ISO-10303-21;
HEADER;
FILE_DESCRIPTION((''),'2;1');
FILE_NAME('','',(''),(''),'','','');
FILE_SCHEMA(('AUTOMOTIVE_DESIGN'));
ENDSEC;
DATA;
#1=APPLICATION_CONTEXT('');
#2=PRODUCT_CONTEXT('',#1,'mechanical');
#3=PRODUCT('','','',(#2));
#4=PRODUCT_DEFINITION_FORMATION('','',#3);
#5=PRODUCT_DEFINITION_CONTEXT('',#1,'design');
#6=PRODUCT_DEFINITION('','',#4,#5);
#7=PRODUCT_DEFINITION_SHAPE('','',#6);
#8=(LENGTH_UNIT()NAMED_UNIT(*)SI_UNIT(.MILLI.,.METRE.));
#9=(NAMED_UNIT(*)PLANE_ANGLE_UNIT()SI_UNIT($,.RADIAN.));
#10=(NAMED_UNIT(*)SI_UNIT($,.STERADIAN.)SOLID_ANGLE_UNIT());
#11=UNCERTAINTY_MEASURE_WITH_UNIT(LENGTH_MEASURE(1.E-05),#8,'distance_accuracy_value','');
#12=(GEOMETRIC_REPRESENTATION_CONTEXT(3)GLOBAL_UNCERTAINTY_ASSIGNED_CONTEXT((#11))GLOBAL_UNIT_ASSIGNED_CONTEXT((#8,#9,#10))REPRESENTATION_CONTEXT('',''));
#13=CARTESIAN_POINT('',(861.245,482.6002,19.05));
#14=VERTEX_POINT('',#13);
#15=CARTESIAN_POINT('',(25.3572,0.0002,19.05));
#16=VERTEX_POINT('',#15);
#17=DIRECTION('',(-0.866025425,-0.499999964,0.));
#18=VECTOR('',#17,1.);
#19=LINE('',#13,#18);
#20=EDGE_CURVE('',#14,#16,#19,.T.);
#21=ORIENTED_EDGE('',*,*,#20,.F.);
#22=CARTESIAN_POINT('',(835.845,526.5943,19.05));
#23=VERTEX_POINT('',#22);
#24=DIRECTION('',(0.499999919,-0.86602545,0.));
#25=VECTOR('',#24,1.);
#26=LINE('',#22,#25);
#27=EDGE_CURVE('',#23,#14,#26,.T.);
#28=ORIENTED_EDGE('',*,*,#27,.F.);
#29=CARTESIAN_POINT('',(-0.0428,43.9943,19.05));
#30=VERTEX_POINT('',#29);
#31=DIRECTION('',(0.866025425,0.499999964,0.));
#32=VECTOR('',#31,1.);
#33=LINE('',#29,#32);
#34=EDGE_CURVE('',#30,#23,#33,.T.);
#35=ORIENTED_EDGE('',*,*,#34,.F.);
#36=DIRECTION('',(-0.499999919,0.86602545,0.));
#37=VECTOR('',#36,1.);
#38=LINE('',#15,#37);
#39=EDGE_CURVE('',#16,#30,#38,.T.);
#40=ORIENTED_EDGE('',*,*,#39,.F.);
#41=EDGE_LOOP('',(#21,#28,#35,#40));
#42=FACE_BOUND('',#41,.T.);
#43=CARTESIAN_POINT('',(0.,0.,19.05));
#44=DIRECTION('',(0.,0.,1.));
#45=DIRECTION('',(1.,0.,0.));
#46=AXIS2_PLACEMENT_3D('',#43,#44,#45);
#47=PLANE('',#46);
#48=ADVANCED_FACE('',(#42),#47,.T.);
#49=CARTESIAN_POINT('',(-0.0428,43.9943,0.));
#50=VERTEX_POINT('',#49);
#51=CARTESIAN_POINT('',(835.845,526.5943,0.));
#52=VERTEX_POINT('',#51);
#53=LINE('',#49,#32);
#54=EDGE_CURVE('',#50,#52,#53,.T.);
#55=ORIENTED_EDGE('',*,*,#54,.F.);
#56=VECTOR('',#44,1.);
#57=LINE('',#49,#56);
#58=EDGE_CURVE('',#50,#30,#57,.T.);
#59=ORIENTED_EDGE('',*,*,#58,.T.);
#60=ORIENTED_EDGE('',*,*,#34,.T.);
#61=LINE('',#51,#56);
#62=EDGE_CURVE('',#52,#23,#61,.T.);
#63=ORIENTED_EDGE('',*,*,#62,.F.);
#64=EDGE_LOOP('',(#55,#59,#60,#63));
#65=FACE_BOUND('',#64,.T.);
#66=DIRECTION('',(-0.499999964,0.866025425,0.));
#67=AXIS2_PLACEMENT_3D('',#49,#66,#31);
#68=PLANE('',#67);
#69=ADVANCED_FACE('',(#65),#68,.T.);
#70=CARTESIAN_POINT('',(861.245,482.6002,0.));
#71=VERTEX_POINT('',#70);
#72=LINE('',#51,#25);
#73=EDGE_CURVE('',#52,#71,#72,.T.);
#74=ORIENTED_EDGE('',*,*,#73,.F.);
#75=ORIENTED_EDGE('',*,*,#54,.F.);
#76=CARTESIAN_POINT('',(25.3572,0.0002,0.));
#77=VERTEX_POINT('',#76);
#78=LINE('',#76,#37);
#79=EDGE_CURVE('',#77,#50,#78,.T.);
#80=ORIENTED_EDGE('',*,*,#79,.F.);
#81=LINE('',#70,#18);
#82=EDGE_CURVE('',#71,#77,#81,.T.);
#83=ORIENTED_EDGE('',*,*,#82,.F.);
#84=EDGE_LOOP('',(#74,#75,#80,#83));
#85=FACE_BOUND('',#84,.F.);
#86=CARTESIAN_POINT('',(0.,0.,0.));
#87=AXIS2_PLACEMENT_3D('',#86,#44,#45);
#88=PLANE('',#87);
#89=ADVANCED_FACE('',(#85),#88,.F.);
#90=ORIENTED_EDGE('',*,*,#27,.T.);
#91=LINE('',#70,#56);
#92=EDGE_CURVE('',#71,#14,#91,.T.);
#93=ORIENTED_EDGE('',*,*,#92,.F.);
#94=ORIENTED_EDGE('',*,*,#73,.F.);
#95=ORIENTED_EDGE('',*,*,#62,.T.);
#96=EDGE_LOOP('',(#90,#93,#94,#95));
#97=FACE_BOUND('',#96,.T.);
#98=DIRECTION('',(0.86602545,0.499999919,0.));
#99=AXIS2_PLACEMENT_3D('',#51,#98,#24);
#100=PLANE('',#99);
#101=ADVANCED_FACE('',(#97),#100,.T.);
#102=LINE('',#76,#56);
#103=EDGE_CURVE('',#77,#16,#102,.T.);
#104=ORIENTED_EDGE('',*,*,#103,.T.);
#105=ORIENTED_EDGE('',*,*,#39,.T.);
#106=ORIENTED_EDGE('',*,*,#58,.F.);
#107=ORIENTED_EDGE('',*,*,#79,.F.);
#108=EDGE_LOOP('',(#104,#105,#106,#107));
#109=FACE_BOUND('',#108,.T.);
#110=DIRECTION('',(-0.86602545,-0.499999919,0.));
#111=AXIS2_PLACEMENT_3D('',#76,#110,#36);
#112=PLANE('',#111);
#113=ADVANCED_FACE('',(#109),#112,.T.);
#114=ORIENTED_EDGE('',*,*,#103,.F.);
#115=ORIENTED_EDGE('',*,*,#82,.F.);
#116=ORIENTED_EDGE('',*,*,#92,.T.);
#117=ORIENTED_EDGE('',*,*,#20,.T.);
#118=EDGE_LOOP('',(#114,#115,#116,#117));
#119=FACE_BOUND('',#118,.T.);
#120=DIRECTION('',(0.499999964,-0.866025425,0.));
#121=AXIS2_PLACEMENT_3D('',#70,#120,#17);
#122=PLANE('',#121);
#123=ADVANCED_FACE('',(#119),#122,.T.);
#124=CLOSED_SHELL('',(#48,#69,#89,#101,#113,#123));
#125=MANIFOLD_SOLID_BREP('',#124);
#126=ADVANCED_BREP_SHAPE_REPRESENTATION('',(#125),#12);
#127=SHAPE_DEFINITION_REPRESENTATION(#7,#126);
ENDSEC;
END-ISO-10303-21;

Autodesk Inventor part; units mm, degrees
ref_plane "YZ Plane" through (0, 0, 0) normal (1, 0, 0) x (0, 1, 0)
ref_plane "XZ Plane" through (0, 0, 0) normal (0, 1, 0) x (-1, 0, 0)
ref_plane "XY Plane" through (0, 0, 0) normal (0, 0, 1) x (1, 0, 0)
sketch "Sketch1" plane through (0, 0, 0) normal (0, 0, 1) x (1, 0, 0)
  line L0 (861.245, 482.6002) -> (25.3572, 0.0002)
  line L1 (25.3572, 0.0002) -> (-0.0428, 43.9943)
  line L2 (-0.0428, 43.9943) -> (835.845, 526.5943)
  line L3 (835.845, 526.5943) -> (861.245, 482.6002)
  point P0 (0, 0)
extrude "Extrusion1" add sketch "Sketch1" along normal blind 19.05
properties part number "nd-n"
